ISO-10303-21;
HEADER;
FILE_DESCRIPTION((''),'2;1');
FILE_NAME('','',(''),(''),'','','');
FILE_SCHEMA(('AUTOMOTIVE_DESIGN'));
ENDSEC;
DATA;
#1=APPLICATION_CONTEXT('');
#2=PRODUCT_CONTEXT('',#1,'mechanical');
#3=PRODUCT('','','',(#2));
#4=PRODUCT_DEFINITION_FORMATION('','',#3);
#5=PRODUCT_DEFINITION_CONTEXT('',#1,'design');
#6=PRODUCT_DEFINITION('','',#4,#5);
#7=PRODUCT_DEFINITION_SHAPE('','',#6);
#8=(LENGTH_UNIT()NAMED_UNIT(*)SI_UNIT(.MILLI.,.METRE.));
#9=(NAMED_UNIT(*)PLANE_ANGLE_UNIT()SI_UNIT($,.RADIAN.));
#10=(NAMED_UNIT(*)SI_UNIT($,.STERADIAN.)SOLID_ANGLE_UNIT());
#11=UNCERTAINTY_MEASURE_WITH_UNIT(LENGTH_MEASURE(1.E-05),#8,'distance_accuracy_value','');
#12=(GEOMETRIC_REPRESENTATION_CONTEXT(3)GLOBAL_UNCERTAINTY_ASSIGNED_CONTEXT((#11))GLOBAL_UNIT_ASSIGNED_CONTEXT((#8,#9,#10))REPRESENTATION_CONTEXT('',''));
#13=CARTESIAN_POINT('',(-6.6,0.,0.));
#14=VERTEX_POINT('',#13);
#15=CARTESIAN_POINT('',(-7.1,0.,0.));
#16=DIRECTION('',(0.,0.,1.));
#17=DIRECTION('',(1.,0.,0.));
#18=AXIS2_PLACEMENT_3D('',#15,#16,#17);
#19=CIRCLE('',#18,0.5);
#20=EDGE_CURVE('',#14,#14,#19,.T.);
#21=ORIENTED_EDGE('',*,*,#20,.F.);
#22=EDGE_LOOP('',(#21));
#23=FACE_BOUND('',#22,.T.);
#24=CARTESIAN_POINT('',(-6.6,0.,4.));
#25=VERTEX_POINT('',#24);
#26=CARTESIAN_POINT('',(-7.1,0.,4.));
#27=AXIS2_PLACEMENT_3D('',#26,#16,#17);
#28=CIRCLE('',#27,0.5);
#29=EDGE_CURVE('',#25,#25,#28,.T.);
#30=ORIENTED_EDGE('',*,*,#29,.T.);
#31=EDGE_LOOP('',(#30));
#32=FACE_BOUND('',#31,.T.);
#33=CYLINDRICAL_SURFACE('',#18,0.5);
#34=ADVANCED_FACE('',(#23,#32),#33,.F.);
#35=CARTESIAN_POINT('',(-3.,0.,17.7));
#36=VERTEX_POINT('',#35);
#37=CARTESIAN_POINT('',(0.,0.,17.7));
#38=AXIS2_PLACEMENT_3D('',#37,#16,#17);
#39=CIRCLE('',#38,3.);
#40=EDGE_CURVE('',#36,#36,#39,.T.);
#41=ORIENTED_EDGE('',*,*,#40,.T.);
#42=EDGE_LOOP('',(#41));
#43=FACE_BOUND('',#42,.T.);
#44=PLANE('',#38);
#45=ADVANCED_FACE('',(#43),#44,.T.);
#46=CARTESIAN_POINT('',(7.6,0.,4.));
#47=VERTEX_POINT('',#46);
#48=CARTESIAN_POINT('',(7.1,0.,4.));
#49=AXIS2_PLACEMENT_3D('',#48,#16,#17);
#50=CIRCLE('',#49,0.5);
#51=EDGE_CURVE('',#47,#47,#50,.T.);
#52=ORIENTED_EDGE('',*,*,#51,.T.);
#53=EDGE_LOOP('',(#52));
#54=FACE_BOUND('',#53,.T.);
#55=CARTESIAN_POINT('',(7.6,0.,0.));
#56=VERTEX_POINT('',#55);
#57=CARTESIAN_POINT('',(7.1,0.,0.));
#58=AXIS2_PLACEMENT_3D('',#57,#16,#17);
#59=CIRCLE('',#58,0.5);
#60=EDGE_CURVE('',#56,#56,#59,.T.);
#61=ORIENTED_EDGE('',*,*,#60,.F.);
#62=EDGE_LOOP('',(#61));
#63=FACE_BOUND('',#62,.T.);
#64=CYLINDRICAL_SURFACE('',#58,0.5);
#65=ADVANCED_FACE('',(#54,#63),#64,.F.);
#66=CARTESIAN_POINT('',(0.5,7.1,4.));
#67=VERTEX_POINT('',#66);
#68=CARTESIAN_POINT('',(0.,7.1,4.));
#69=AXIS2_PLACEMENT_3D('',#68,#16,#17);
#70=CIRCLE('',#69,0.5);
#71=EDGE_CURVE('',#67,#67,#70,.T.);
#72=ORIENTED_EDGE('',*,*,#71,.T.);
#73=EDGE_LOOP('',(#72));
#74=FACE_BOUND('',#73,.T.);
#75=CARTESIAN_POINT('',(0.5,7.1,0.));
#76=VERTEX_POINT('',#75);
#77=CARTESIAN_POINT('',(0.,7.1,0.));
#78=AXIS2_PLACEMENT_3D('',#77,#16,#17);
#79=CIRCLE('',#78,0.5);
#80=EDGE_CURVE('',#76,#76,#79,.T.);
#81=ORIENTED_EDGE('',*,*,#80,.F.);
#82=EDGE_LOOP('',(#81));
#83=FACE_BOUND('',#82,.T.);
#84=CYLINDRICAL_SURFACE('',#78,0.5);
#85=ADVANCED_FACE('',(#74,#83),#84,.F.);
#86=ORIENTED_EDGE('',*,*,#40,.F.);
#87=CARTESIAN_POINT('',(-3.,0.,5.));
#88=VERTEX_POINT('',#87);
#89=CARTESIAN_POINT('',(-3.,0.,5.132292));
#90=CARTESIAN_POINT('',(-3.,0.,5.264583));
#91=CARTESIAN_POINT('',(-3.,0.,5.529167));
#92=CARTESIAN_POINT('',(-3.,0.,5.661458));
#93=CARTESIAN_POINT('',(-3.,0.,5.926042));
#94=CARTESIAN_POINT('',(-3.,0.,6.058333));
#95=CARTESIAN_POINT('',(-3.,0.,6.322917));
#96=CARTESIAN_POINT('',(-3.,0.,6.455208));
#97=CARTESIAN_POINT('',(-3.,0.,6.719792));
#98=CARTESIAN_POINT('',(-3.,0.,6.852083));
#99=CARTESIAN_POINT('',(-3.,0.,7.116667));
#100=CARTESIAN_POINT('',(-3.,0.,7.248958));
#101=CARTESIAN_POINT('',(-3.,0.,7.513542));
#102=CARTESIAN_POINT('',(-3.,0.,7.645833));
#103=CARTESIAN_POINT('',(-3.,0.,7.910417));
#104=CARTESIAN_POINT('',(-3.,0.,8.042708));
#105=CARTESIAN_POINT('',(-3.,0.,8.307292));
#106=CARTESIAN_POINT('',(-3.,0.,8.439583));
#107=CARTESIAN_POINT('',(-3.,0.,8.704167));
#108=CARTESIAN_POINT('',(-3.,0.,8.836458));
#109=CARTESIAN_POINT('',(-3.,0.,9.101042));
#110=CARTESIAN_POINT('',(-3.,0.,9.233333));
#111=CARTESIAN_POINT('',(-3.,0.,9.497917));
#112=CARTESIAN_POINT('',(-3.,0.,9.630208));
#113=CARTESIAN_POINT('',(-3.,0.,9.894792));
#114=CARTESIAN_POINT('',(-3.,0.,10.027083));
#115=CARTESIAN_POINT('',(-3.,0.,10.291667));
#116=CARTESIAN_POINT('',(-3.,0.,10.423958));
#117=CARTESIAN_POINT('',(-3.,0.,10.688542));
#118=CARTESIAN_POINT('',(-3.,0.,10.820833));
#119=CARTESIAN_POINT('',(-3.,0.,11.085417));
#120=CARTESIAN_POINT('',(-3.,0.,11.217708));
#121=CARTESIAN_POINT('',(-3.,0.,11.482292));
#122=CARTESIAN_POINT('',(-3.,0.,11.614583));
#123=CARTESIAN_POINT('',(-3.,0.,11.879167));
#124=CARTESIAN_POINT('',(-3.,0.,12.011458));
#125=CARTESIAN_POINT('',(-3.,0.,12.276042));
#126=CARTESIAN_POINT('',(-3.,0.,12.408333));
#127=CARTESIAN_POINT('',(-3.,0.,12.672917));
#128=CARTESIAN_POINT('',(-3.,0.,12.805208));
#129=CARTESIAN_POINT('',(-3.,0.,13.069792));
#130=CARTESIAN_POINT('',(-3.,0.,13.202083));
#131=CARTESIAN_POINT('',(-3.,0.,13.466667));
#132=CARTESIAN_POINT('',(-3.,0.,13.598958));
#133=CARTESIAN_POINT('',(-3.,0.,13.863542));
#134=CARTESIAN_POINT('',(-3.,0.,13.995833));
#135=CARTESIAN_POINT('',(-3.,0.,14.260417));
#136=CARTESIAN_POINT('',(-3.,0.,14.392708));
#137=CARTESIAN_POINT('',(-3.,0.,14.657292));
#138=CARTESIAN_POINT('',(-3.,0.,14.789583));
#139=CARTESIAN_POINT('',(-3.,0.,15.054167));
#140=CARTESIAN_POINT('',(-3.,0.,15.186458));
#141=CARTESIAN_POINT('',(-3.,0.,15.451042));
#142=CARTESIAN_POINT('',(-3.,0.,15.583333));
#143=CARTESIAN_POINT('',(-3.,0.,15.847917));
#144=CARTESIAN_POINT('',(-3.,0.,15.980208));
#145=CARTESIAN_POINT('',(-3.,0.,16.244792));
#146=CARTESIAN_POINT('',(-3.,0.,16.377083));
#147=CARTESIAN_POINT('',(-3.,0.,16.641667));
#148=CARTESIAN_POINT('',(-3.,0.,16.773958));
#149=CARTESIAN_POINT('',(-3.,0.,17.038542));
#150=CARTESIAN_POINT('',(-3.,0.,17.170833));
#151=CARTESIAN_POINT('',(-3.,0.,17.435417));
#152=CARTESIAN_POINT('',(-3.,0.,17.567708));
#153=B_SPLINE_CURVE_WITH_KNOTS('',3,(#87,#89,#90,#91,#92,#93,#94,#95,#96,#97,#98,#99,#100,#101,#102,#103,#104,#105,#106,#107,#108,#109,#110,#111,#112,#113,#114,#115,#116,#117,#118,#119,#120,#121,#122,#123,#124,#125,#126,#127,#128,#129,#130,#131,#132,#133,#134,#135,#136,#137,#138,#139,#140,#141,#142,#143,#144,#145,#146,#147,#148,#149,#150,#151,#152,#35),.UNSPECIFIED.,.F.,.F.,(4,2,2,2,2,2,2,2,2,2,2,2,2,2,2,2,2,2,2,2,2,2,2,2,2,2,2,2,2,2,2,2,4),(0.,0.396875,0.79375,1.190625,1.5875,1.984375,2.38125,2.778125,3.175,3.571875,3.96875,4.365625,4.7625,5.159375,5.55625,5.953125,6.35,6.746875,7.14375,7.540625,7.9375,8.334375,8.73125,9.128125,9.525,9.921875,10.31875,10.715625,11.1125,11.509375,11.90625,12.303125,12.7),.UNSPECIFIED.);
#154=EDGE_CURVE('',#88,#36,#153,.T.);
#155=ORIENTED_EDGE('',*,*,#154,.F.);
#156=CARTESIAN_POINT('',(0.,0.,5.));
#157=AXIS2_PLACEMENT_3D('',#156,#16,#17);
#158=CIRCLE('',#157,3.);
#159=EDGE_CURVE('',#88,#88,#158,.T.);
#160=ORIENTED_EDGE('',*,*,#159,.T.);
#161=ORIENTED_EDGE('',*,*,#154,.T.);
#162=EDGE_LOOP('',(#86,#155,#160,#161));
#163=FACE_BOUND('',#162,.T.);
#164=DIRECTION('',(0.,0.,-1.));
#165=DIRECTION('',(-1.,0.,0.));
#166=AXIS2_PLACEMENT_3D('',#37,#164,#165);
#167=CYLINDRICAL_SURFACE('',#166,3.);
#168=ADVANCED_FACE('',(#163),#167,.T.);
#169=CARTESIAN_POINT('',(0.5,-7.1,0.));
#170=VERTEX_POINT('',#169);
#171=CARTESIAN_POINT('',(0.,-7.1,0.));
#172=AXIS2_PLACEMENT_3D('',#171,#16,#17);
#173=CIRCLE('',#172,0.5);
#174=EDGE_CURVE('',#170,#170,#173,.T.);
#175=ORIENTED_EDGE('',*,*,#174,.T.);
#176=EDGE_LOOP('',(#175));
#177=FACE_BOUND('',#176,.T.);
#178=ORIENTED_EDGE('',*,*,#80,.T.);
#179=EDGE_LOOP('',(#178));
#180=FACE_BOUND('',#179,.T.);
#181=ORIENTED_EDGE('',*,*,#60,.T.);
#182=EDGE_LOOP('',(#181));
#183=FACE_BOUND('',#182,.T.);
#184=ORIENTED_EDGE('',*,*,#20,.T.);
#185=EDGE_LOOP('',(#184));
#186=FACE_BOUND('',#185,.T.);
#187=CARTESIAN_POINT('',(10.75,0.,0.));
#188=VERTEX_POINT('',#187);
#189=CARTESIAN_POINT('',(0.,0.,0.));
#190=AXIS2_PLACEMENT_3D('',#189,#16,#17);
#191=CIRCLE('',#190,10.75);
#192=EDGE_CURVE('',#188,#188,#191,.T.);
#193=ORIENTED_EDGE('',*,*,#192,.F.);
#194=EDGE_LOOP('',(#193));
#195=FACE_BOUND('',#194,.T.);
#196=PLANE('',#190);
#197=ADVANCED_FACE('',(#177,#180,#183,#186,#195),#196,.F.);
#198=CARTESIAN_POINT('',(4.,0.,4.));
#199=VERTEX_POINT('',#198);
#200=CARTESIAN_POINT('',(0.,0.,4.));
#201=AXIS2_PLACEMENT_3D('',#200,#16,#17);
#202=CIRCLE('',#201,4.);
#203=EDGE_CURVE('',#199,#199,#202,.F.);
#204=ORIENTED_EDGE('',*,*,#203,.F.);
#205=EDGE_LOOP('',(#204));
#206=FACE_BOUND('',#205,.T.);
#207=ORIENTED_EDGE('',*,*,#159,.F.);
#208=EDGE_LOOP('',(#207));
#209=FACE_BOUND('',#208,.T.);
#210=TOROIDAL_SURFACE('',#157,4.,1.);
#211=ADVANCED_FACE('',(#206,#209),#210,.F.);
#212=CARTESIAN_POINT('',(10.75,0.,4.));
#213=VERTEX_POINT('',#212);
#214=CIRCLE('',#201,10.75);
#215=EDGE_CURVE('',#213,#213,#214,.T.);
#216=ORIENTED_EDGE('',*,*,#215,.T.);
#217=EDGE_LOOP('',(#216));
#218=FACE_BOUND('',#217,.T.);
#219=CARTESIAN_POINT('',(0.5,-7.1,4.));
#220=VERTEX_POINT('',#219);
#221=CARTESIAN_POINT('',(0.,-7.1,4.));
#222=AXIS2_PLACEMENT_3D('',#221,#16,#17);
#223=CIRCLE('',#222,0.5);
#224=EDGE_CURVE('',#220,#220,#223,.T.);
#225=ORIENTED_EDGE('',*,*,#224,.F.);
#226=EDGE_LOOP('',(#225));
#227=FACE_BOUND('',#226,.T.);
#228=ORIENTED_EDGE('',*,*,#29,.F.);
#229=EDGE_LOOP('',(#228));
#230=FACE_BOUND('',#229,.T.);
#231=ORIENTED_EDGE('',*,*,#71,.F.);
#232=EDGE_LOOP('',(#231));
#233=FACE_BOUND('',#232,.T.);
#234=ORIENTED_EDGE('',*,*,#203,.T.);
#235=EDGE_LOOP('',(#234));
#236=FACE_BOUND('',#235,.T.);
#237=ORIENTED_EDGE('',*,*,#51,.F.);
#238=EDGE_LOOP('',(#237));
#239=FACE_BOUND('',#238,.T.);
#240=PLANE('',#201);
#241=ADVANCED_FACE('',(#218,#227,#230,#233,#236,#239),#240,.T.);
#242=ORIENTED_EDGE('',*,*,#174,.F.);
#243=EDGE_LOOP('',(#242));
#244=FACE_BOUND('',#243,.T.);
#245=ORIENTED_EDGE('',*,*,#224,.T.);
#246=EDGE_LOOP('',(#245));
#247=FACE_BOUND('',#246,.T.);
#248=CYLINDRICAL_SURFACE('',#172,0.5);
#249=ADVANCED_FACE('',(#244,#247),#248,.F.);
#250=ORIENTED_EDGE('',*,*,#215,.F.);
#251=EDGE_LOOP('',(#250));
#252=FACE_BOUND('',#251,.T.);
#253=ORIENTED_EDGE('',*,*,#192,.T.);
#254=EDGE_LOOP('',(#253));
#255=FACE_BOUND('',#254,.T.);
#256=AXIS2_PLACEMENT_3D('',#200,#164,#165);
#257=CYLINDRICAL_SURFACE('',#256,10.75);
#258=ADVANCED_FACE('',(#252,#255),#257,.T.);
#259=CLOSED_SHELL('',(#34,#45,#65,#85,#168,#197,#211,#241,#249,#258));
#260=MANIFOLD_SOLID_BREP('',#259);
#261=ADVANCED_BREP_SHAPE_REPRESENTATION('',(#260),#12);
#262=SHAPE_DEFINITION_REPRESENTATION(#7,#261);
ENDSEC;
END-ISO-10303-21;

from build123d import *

# Parameters (mm, degrees)
ESBO_O1_R                = 10.75
RESSALTO_EXTRUS_O1_DEPTH = 4
ESBO_O2_R                = 3
RESSALTO_EXTRUS_O2_DEPTH = 13.7
FILETE2_R                = 1
ESBO_O3_R                = 0.5
CORTE_EXTRUS_O1_DEPTH    = 21.464970071


with BuildPart() as part:
    # Esboço1 → Ressalto-extrusão1 (new body)
    with BuildSketch(Plane.XY):
        Circle(ESBO_O1_R)
    extrude(amount=RESSALTO_EXTRUS_O1_DEPTH)

    # Esboço2 → Ressalto-extrusão2 (add)
    with BuildSketch(Plane.XY.offset(4)):
        with Locations(Location((0, 0, 0), (0, 0, 180))):
            Circle(ESBO_O2_R)
    extrude(amount=RESSALTO_EXTRUS_O2_DEPTH)

    # Filete2
    filete2_edges = [part.edges().sort_by_distance(p)[0] for p in [
        (3, 0, 4),
    ]]
    fillet(filete2_edges, radius=FILETE2_R)

    # Esboço3 → Corte-extrusão1 (cut, through all)
    with BuildSketch(Plane.XY.offset(4)):
        with Locations((7.1, 0)):
            Circle(ESBO_O3_R)
        with Locations((-7.1, 0)):
            Circle(ESBO_O3_R)
        with Locations((0, 7.1)):
            Circle(ESBO_O3_R)
        with Locations((0, -7.1)):
            Circle(ESBO_O3_R)
    extrude(amount=-CORTE_EXTRUS_O1_DEPTH, mode=Mode.SUBTRACT)


solid = part.part
